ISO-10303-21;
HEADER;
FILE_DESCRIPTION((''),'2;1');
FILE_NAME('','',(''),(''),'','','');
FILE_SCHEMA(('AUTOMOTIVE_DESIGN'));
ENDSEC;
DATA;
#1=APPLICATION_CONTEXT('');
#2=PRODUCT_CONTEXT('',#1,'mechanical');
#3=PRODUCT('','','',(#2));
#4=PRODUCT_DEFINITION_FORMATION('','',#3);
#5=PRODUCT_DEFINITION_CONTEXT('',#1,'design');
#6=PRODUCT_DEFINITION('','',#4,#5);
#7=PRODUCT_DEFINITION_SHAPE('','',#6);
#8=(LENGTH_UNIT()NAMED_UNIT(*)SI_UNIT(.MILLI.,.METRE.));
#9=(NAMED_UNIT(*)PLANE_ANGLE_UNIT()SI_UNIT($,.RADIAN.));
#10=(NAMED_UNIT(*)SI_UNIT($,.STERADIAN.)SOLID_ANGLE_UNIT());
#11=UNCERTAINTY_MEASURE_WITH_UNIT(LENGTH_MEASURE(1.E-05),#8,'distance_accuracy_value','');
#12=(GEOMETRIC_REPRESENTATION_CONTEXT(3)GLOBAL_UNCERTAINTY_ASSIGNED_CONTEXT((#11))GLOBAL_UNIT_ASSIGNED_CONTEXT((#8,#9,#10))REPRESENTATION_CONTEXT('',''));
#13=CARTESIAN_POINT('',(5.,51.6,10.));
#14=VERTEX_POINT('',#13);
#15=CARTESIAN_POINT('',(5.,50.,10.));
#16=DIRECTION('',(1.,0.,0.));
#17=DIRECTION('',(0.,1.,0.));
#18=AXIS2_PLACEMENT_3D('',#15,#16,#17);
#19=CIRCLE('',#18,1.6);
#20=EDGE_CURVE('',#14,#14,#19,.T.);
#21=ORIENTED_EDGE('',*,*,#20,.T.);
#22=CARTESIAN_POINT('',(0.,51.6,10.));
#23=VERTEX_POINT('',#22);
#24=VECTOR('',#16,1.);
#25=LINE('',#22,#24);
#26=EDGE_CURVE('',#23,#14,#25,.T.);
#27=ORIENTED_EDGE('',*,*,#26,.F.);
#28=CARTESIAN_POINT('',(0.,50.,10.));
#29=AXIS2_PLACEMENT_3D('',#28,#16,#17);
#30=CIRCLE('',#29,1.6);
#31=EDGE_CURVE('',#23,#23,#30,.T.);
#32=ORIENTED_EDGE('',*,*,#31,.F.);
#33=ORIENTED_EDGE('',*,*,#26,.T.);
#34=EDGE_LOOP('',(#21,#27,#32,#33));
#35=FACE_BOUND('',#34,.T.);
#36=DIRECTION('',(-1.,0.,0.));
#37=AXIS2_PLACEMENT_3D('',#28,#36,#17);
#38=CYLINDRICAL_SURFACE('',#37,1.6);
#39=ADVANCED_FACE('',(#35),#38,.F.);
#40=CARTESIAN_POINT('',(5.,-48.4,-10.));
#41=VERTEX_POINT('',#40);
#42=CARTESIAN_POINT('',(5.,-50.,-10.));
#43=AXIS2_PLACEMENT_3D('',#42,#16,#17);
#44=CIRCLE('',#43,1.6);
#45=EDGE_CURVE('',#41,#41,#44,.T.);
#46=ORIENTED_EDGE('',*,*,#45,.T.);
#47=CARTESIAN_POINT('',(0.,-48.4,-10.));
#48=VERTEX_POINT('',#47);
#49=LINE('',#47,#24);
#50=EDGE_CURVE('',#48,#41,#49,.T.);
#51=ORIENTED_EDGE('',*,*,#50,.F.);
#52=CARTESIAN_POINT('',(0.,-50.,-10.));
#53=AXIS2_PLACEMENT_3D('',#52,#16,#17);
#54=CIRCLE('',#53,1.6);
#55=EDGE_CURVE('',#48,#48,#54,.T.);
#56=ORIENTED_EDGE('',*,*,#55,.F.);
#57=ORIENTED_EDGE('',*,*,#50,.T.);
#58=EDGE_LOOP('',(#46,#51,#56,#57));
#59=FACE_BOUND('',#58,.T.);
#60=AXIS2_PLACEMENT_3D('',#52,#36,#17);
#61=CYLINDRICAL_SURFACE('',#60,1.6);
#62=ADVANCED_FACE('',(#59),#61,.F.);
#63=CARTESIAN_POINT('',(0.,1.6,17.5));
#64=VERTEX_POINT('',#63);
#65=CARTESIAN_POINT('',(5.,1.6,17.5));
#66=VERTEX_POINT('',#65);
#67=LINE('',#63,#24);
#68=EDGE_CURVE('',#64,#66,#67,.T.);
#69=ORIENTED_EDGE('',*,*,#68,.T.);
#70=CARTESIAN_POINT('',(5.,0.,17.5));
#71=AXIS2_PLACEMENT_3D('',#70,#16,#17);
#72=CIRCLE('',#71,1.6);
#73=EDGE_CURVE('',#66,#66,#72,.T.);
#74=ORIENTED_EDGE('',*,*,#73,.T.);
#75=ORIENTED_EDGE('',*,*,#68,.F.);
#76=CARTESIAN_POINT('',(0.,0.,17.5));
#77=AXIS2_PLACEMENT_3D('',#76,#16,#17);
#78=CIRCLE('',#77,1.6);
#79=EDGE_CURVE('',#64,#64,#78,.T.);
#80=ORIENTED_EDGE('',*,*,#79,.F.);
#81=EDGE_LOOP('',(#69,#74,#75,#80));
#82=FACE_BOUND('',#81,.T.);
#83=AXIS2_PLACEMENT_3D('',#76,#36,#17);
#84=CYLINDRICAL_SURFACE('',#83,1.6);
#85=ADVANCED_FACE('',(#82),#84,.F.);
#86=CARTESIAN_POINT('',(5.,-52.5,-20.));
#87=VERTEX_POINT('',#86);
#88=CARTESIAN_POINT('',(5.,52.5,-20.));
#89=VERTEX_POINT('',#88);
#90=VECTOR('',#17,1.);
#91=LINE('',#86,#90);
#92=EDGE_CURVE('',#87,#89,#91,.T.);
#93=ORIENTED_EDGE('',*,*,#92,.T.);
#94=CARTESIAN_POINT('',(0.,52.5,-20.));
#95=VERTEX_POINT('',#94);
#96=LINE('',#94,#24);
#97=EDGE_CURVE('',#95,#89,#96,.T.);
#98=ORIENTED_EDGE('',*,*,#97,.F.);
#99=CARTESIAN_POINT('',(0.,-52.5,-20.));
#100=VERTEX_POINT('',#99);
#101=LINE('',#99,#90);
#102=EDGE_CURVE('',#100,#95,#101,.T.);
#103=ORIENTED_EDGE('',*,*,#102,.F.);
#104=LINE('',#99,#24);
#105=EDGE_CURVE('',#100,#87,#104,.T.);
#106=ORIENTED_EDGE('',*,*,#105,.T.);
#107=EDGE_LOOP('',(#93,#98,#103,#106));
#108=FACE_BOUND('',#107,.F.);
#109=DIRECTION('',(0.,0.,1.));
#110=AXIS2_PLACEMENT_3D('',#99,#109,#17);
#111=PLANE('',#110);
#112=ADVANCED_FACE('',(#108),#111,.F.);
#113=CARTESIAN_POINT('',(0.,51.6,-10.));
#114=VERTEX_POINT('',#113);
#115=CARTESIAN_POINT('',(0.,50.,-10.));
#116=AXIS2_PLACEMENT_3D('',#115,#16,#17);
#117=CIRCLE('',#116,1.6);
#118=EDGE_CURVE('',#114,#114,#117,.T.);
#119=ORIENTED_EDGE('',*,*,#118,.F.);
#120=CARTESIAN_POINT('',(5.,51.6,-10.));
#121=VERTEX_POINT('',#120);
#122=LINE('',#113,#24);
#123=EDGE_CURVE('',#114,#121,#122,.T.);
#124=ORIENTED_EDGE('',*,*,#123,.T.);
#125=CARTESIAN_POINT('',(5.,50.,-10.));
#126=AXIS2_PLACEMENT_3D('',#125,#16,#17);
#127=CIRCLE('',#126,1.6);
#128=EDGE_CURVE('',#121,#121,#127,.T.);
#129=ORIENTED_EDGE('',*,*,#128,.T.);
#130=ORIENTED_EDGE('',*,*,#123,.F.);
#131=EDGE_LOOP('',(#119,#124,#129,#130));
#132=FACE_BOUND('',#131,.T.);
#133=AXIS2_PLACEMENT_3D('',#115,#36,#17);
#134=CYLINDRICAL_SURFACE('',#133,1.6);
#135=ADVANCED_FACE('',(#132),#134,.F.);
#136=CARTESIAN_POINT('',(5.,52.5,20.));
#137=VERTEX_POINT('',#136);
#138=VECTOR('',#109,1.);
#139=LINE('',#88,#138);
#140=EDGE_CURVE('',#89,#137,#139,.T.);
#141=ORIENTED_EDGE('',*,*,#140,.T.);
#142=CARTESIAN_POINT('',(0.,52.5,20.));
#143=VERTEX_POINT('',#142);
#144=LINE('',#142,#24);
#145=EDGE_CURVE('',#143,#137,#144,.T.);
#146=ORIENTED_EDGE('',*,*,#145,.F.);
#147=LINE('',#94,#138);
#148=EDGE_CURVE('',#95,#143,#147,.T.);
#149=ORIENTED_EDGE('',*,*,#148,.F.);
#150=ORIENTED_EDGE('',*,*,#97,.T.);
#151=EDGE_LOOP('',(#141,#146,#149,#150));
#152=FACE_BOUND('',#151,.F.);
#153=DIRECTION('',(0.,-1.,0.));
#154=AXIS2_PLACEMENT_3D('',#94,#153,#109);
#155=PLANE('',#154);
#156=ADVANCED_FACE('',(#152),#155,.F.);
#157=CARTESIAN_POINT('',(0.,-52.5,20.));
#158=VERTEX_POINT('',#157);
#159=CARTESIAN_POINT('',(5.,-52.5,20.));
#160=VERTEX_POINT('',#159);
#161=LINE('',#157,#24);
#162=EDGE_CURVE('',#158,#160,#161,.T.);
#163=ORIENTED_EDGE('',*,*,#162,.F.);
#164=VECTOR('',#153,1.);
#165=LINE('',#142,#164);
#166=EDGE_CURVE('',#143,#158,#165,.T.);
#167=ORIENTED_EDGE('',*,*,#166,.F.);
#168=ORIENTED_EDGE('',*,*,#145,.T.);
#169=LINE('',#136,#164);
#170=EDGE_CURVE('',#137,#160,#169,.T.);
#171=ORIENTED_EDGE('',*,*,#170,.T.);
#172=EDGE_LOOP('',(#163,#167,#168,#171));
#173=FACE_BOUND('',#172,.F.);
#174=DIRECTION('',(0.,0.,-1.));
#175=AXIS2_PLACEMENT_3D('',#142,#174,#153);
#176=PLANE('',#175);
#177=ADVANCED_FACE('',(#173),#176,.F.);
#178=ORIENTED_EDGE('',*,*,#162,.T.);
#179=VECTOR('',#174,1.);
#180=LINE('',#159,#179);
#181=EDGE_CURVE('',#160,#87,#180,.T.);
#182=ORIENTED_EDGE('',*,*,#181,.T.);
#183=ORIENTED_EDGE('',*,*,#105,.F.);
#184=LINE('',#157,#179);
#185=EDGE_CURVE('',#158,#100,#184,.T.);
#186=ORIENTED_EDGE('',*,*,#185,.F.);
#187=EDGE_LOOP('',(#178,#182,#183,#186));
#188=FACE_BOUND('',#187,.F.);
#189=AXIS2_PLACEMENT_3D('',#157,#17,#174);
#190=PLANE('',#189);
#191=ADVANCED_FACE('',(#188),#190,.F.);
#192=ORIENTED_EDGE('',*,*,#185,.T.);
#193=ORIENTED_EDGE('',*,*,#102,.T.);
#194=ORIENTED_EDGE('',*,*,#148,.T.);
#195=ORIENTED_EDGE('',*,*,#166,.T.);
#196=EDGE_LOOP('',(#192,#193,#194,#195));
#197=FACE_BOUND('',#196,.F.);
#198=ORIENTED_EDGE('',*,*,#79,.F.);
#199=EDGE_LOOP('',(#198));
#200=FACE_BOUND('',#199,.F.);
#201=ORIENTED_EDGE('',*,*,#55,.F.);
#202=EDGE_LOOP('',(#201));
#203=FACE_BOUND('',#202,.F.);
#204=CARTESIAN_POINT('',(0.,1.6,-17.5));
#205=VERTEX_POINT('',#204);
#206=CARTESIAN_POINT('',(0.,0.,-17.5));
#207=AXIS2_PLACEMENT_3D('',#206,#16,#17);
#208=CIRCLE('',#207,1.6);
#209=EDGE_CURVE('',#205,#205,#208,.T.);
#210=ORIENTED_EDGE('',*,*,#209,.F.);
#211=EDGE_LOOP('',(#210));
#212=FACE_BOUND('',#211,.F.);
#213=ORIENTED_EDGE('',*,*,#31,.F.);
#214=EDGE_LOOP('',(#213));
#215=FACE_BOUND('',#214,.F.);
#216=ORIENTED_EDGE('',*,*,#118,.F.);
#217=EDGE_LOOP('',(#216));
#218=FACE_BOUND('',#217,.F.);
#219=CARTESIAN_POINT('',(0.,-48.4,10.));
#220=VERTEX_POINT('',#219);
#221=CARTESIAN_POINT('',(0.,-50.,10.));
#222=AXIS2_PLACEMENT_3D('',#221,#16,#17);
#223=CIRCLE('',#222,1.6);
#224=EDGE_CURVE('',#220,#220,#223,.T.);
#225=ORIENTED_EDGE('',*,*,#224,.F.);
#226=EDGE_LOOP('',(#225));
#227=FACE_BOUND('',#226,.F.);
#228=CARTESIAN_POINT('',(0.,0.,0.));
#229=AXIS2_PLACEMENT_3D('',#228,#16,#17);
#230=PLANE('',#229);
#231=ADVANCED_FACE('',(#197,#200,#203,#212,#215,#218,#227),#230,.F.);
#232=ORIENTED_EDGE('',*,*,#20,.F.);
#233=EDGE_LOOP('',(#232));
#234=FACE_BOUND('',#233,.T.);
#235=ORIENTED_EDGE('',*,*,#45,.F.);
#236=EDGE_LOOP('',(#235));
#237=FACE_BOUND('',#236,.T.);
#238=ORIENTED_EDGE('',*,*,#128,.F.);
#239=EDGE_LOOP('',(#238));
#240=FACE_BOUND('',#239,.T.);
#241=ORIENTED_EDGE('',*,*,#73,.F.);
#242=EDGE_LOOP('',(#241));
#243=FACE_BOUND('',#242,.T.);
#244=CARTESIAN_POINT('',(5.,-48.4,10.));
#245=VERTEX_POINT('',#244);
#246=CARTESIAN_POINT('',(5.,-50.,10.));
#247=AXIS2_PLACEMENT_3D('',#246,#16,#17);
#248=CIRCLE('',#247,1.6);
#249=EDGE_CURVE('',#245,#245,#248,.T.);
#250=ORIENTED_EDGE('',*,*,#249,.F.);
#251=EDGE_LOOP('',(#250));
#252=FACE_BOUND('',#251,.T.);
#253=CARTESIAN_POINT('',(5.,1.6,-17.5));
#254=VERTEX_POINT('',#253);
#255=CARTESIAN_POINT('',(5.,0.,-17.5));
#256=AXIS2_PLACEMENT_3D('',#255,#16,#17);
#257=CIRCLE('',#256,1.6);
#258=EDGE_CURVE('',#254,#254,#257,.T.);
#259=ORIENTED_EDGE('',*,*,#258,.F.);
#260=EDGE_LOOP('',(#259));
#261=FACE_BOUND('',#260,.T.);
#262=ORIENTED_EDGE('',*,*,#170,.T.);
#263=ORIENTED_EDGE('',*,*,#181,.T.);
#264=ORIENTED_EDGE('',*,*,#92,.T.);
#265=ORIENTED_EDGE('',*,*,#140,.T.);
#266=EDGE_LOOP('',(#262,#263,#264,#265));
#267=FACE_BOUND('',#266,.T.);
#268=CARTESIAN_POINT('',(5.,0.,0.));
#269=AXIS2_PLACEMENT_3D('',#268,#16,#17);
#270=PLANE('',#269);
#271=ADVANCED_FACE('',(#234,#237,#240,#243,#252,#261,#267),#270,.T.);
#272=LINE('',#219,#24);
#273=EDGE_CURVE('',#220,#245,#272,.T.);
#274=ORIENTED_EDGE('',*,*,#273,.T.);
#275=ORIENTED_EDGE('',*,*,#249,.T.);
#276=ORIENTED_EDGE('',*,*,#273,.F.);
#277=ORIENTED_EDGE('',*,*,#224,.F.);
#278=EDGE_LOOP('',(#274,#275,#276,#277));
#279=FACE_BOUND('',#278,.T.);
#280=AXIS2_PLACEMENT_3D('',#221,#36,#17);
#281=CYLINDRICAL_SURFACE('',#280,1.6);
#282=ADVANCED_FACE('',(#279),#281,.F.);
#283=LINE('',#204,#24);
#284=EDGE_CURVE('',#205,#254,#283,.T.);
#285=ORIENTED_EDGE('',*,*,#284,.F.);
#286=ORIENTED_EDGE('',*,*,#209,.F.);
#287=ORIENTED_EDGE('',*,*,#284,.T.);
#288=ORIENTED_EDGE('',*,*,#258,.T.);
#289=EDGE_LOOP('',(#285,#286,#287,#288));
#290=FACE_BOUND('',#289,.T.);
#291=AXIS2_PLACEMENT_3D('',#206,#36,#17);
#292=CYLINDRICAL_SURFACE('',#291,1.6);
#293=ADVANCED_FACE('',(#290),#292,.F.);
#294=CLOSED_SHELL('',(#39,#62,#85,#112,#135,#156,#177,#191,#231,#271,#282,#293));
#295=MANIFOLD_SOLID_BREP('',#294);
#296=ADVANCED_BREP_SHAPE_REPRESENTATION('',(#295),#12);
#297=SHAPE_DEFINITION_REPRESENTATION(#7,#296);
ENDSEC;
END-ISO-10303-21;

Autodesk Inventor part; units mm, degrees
ref_plane "YZ Plane" through (0, 0, 0) normal (1, 0, 0) x (0, 1, 0)
ref_plane "XZ Plane" through (0, 0, 0) normal (0, 1, 0) x (-1, 0, 0)
ref_plane "XY Plane" through (0, 0, 0) normal (0, 0, 1) x (1, 0, 0)
sketch "Sketch1" plane through (0, 0, 0) normal (1, 0, 0) x (0, 1, 0)
  line L0 (52.5, 20) -> (-52.5, 20)
  line L1 (-52.5, 20) -> (-52.5, -20)
  line L2 (-52.5, -20) -> (52.5, -20)
  line L3 (52.5, -20) -> (52.5, 20)
  circle A0 centre (50, 10) radius 1.6
  circle A1 centre (0, 17.5) radius 1.6
  circle A2 centre (50, -10) radius 1.6
  circle A3 centre (0, -17.5) radius 1.6
  circle A4 centre (-50, 10) radius 1.6
  circle A5 centre (-50, -10) radius 1.6
  point P0 (0, 0)
  point P1 (52.5, 0)
  point P2 (-52.5, 0)
  dimension "d0" = 105
  dimension "d1" = 40
  dimension "d2" = 52.5
  dimension "d3" = 20
  dimension "d4" = 3.2
  dimension "d5" = 3.2
  dimension "d6" = 3.2
  dimension "d7" = 3.2
  dimension "d8" = 3.2
  dimension "d9" = 3.2
  dimension "d10" = 2.5
  dimension "d11" = 2.5
  dimension "d12" = 10
  dimension "d13" = 10
  dimension "d14" = 0
  dimension "d15" = 2.5
  dimension "d16" = 2.5
  dimension "d17" = 0
  dimension "d18" = 2.5
  dimension "d19" = 2.5
  dimension "d20" = 10
  dimension "d21" = 10
extrude "Extrusion1" add sketch "Sketch1" along normal blind 5
equation "\"d2\" = 0.5 * d0"
equation "\"d3\" = 0.5 * d1"
properties part number "Handle_Side_Covers" material "ABS Plastic"
